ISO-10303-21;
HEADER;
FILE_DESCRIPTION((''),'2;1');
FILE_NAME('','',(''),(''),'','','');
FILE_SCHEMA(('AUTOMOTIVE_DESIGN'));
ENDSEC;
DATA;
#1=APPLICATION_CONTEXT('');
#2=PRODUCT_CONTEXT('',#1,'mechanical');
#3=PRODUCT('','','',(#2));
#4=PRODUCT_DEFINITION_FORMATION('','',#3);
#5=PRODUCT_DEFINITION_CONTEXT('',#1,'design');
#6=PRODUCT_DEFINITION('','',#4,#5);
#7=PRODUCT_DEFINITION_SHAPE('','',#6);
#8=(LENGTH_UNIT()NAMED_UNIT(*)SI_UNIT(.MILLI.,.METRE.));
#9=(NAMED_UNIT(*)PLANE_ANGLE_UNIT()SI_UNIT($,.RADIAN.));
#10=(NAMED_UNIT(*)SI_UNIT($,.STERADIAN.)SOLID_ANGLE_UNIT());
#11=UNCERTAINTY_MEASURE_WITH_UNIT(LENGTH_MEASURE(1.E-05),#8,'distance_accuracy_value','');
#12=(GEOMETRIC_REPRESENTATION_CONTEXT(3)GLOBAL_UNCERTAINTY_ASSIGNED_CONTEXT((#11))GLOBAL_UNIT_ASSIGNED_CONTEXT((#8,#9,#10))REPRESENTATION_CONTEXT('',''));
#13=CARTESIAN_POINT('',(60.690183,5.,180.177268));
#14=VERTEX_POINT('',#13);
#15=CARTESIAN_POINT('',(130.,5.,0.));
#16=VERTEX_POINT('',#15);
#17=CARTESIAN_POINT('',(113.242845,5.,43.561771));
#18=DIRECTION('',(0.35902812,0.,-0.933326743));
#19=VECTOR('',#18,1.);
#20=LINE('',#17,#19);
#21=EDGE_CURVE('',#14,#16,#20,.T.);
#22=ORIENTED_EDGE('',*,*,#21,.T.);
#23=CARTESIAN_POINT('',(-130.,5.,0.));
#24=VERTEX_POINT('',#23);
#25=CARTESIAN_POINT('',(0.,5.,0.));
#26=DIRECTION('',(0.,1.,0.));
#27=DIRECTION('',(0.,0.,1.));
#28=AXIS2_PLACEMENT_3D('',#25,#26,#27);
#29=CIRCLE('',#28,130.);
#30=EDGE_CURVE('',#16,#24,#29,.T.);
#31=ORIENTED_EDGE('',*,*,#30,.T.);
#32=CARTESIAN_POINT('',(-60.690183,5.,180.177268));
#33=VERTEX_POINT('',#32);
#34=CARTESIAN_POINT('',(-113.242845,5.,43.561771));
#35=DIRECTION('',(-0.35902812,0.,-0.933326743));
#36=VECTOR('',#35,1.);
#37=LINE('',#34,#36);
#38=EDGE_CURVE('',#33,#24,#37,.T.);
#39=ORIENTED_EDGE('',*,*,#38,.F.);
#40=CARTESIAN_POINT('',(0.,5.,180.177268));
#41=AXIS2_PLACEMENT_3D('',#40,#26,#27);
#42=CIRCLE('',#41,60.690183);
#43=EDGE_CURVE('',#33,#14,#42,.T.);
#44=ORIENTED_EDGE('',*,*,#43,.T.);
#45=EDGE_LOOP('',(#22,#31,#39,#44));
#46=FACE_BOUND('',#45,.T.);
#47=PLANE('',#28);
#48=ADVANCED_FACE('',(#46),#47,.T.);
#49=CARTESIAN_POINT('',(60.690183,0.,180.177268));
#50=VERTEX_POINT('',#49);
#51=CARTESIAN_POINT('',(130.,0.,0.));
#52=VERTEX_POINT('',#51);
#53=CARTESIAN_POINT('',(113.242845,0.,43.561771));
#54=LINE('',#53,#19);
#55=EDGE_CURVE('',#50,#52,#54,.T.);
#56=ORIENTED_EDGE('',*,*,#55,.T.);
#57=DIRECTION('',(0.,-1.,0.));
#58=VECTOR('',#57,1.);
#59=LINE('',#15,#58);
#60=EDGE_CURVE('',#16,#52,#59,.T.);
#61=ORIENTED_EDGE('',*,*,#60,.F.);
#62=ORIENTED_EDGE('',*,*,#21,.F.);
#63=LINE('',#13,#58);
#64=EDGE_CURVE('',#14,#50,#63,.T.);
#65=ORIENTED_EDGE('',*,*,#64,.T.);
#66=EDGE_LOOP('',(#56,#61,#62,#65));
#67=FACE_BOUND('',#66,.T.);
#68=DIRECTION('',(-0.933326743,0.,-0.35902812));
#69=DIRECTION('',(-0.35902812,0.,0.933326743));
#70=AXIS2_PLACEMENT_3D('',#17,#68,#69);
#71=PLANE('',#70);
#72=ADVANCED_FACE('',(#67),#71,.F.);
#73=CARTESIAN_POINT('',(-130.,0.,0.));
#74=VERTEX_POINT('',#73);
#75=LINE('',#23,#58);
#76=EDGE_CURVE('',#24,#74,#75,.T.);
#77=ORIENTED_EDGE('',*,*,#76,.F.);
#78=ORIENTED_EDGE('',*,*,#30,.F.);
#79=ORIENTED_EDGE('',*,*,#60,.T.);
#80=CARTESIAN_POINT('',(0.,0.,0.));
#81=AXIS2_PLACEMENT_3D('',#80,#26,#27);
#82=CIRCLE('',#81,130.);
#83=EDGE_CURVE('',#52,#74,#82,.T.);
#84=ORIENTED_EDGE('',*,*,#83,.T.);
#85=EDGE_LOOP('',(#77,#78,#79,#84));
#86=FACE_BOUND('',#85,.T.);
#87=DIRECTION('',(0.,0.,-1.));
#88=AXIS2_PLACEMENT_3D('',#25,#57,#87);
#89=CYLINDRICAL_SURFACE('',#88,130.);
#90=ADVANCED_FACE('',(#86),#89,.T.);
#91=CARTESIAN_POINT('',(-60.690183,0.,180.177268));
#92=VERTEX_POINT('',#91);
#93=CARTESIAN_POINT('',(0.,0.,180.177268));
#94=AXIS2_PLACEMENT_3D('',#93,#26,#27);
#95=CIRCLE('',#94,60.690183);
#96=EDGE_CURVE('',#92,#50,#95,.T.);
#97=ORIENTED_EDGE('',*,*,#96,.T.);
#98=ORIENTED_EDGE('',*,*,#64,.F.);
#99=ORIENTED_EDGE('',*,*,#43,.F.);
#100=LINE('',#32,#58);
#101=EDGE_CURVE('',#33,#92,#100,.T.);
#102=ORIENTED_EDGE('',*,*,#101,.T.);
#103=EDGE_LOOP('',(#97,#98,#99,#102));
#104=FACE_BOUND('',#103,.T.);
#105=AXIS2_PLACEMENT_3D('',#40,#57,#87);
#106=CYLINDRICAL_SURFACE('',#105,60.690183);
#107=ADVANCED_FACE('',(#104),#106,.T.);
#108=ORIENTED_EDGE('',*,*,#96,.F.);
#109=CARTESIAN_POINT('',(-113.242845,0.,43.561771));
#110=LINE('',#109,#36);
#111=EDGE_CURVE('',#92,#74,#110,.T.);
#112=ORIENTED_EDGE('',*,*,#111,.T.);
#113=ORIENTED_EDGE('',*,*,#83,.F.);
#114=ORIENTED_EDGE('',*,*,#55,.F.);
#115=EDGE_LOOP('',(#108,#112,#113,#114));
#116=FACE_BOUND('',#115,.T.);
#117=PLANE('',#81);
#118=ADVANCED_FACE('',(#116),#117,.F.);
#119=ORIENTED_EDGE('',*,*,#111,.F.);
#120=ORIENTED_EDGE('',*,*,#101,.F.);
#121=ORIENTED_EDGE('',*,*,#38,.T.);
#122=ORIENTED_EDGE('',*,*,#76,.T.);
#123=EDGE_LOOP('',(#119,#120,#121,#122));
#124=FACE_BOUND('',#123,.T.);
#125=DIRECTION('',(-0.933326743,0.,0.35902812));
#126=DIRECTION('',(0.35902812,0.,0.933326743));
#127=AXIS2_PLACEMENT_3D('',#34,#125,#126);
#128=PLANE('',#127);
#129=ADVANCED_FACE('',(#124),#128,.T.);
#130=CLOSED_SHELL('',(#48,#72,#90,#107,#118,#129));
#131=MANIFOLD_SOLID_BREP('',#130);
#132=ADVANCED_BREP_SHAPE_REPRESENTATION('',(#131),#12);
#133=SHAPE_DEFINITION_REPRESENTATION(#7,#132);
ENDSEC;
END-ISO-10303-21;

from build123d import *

# Parameters (mm, degrees)
SALIENTE_EXTRUIR1_DEPTH = 5


with BuildPart() as part:
    # Croquis1 → Saliente-Extruir1 (new body)
    with BuildSketch(Plane(origin=(0, 0, 0), x_dir=(1, 0, 0), z_dir=(0, 1, 0))):
        with BuildLine():
            Line((-130, 0), (-60.690182916, -180.17726832))
            ThreePointArc((-60.690182916, -180.17726832), (0, -240.867451236), (60.690182916, -180.17726832))
            Line((60.690182916, -180.17726832), (130, 0))
            ThreePointArc((130, 0), (0, 130), (-130, 0))
        make_face()
    extrude(amount=SALIENTE_EXTRUIR1_DEPTH)


solid = part.part
